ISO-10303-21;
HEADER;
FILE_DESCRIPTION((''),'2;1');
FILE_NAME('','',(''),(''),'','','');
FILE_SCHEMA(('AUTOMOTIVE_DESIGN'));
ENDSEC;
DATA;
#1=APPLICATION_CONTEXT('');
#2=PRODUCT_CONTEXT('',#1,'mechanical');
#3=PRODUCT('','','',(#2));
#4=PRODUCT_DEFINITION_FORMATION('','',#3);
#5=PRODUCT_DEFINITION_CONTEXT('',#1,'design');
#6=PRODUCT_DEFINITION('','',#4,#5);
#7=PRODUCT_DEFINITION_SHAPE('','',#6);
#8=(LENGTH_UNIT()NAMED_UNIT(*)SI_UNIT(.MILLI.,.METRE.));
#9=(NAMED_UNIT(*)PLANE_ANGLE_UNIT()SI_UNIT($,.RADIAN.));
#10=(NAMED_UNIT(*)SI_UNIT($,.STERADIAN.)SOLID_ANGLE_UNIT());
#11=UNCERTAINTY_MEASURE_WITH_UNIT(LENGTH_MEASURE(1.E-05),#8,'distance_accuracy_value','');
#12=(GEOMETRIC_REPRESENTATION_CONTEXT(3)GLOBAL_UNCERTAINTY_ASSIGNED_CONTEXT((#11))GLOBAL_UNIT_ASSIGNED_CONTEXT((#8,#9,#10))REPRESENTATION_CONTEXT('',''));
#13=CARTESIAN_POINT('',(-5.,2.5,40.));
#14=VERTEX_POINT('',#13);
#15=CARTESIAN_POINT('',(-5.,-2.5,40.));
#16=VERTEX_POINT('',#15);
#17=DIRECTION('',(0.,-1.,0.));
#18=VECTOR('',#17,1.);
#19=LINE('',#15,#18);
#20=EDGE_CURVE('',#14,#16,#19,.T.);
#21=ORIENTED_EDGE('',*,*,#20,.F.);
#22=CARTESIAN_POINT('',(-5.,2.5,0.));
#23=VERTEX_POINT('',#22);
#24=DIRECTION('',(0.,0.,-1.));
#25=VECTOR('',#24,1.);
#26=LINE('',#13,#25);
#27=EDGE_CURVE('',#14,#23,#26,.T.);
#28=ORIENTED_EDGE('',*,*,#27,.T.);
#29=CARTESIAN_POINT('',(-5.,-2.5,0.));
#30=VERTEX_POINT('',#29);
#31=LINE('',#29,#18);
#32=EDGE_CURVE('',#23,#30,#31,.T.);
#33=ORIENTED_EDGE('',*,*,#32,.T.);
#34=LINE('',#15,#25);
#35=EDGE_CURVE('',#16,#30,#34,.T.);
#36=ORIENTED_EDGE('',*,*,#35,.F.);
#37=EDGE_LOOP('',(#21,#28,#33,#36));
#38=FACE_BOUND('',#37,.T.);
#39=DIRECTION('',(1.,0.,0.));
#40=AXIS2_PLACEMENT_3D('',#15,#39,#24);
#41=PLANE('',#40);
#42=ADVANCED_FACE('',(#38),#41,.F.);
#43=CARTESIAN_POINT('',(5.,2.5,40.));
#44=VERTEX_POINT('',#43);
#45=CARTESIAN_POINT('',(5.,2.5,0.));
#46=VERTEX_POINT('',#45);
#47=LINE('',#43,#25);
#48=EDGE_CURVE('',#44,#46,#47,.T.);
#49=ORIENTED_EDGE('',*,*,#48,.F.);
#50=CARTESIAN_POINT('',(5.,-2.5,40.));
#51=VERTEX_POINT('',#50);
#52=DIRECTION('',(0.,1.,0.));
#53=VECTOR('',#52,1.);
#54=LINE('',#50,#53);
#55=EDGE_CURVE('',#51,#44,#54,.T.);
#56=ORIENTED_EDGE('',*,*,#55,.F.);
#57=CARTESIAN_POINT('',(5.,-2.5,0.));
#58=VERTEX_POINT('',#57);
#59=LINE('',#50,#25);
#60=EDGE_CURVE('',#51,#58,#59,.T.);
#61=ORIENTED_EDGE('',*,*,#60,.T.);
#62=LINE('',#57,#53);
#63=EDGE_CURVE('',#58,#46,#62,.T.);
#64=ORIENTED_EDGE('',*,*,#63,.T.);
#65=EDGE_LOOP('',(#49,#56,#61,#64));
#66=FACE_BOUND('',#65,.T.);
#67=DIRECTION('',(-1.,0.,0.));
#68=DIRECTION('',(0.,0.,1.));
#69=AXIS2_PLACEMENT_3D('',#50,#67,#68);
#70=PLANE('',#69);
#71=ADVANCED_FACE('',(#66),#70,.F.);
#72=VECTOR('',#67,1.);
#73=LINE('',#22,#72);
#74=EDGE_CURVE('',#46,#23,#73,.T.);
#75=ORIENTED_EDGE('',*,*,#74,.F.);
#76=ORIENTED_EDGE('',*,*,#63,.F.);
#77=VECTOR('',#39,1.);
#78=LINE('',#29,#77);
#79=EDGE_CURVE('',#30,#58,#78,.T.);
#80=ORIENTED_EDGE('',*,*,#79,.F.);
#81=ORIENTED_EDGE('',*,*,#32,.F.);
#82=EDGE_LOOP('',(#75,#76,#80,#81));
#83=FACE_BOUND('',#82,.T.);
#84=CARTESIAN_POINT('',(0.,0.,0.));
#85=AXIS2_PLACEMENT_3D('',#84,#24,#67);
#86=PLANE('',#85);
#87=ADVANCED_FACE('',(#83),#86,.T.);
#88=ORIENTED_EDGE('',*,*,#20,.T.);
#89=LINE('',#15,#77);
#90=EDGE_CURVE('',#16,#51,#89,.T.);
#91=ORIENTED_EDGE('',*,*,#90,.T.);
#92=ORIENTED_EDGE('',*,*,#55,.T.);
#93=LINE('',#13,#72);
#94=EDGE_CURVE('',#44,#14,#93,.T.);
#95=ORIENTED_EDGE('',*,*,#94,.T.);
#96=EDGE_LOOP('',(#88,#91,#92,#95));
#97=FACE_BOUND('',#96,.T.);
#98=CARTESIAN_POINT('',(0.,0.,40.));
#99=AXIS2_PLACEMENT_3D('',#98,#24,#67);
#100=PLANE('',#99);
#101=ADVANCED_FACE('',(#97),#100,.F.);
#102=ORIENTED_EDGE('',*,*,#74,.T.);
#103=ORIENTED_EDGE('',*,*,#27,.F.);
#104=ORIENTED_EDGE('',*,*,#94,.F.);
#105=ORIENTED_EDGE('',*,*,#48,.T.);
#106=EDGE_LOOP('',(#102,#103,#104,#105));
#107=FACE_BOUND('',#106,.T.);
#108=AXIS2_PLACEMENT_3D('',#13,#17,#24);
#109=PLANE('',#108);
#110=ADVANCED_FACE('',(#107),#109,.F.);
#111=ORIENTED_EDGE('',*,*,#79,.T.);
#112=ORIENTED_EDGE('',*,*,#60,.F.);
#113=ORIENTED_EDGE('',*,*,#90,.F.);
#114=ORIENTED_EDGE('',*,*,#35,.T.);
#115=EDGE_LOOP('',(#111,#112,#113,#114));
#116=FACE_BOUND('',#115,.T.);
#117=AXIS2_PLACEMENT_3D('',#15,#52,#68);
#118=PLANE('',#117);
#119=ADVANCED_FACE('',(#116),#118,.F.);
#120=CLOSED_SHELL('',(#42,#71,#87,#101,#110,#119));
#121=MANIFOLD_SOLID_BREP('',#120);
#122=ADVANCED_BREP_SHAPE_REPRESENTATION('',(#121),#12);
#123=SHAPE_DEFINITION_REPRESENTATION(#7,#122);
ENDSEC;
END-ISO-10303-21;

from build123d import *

# Parameters (mm, degrees)
SKETCH1_W           = 10
SKETCH1_H           = 5
BOSS_EXTRUDE1_DEPTH = 40


with BuildPart() as part:
    # Sketch1 → Boss-Extrude1 (new body)
    with BuildSketch(Plane.XY):
        Rectangle(SKETCH1_W, SKETCH1_H)
    extrude(amount=BOSS_EXTRUDE1_DEPTH)


solid = part.part
